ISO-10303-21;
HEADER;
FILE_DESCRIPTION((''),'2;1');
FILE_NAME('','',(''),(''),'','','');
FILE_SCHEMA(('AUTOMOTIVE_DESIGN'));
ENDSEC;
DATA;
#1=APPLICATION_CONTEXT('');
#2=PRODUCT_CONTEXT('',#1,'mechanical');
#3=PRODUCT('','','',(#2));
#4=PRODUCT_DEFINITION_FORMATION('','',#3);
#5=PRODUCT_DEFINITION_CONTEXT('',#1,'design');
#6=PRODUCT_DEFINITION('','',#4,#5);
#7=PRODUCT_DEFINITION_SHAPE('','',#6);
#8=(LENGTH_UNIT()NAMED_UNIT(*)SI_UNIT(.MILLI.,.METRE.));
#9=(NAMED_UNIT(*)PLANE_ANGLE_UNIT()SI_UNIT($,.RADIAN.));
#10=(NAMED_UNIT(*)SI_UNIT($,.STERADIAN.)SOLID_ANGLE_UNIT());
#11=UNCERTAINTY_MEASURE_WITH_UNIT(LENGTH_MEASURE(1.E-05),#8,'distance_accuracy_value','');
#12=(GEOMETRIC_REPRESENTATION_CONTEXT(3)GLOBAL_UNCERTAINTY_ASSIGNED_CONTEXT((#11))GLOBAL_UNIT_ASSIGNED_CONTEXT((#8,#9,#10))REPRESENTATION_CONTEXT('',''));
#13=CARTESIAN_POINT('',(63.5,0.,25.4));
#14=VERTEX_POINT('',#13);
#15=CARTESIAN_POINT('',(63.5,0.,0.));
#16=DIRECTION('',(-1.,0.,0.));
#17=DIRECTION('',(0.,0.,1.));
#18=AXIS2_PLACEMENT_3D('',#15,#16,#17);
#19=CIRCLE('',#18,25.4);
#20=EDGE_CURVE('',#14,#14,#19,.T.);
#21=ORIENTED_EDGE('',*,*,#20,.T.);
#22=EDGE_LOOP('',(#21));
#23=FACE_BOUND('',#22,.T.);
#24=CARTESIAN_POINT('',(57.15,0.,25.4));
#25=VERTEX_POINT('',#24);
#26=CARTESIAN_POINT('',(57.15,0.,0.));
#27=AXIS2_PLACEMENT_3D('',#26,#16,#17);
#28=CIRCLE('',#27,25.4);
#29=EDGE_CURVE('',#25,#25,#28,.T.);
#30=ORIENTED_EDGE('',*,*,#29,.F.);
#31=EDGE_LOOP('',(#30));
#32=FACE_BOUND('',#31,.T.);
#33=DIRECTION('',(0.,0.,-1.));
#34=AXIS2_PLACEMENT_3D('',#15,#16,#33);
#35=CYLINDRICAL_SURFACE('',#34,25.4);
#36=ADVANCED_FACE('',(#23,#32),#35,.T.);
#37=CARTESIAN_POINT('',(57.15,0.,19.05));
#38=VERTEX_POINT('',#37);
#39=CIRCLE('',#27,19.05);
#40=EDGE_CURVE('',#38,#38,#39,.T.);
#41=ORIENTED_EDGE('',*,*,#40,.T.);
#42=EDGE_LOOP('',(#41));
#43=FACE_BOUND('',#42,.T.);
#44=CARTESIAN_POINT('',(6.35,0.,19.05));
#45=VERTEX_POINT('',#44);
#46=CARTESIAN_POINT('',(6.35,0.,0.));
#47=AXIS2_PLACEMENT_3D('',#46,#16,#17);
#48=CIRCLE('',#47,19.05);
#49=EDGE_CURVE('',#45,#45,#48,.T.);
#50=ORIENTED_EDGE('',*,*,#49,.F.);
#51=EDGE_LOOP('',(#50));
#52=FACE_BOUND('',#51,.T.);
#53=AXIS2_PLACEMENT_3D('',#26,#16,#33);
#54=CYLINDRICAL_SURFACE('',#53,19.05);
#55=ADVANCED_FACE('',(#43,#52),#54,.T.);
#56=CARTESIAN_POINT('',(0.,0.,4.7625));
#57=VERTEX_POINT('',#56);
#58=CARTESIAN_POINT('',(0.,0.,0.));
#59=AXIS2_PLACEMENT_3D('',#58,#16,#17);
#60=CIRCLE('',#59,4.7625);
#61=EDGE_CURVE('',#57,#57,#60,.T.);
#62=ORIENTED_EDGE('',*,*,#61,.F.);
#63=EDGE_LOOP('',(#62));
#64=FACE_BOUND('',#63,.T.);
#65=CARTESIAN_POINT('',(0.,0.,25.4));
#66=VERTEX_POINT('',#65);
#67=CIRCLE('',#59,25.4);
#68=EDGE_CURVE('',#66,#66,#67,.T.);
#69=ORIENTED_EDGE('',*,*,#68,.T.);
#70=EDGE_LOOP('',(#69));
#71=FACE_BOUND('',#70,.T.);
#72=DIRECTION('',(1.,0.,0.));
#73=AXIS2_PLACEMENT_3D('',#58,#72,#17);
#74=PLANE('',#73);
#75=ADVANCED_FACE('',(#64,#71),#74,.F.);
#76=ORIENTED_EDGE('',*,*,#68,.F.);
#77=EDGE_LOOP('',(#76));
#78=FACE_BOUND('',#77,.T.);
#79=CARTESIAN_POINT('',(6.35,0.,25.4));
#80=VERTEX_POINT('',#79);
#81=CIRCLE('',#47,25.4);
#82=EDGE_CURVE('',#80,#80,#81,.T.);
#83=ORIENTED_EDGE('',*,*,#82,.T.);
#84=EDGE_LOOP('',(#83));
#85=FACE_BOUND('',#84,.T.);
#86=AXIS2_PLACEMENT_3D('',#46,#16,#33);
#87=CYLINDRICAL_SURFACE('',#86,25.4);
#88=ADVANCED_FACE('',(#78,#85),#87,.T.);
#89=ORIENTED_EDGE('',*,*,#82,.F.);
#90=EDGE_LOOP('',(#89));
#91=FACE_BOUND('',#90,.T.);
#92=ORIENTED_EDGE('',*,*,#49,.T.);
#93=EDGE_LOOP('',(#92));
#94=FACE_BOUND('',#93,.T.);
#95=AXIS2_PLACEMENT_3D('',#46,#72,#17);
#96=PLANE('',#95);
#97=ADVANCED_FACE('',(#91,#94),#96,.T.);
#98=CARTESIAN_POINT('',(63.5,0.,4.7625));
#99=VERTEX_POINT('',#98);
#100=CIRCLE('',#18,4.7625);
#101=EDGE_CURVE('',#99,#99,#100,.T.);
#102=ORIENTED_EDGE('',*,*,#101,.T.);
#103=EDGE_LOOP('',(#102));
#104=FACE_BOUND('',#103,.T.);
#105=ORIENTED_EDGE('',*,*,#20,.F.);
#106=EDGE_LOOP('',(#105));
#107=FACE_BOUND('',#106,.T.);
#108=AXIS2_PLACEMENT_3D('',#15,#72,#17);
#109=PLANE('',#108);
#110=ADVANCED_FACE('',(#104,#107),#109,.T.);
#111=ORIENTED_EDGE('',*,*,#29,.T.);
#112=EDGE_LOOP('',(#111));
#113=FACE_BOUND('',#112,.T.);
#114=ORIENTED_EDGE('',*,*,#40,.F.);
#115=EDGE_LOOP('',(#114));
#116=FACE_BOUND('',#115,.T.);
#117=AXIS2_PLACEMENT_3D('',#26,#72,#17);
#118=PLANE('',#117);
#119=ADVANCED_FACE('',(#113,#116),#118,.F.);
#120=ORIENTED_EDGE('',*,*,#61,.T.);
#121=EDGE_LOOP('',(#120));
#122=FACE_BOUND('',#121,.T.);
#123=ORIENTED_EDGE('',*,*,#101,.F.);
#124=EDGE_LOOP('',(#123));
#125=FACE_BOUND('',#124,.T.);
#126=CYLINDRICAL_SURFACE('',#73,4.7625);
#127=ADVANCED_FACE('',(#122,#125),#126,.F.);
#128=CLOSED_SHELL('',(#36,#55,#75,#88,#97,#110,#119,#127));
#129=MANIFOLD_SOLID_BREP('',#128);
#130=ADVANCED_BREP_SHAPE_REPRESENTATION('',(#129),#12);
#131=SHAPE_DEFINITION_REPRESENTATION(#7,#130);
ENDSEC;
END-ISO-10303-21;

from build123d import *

# Parameters (mm, degrees)
SKETCH1_R           = 25.4
BOSS_EXTRUDE1_DEPTH = 6.35
SKETCH2_R           = 19.05
BOSS_EXTRUDE2_DEPTH = 50.8
SKETCH3_R           = 25.4
BOSS_EXTRUDE3_DEPTH = 6.35
SKETCH4_R           = 4.7625
CUT_EXTRUDE1_DEPTH  = 73.955945611


with BuildPart() as part:
    # Sketch1 → Boss-Extrude1 (new body)
    with BuildSketch(Plane(origin=(0, 0, 0), x_dir=(0, 0, -1), z_dir=(1, 0, 0))):
        Circle(SKETCH1_R)
    extrude(amount=BOSS_EXTRUDE1_DEPTH)

    # Sketch2 → Boss-Extrude2 (add)
    with BuildSketch(Plane(origin=(6.35, 0, 0), x_dir=(0, 0, -1), z_dir=(1, 0, 0))):
        Circle(SKETCH2_R)
    extrude(amount=BOSS_EXTRUDE2_DEPTH)

    # Sketch3 → Boss-Extrude3 (add)
    with BuildSketch(Plane(origin=(57.15, 0, 0), x_dir=(0, 0, -1), z_dir=(1, 0, 0))):
        Circle(SKETCH3_R)
    extrude(amount=BOSS_EXTRUDE3_DEPTH)

    # Sketch4 → Cut-Extrude1 (cut, through all)
    with BuildSketch(Plane(origin=(63.5, 0, 0), x_dir=(0, 0, -1), z_dir=(1, 0, 0))):
        Circle(SKETCH4_R)
    extrude(amount=-CUT_EXTRUDE1_DEPTH, mode=Mode.SUBTRACT)


solid = part.part
